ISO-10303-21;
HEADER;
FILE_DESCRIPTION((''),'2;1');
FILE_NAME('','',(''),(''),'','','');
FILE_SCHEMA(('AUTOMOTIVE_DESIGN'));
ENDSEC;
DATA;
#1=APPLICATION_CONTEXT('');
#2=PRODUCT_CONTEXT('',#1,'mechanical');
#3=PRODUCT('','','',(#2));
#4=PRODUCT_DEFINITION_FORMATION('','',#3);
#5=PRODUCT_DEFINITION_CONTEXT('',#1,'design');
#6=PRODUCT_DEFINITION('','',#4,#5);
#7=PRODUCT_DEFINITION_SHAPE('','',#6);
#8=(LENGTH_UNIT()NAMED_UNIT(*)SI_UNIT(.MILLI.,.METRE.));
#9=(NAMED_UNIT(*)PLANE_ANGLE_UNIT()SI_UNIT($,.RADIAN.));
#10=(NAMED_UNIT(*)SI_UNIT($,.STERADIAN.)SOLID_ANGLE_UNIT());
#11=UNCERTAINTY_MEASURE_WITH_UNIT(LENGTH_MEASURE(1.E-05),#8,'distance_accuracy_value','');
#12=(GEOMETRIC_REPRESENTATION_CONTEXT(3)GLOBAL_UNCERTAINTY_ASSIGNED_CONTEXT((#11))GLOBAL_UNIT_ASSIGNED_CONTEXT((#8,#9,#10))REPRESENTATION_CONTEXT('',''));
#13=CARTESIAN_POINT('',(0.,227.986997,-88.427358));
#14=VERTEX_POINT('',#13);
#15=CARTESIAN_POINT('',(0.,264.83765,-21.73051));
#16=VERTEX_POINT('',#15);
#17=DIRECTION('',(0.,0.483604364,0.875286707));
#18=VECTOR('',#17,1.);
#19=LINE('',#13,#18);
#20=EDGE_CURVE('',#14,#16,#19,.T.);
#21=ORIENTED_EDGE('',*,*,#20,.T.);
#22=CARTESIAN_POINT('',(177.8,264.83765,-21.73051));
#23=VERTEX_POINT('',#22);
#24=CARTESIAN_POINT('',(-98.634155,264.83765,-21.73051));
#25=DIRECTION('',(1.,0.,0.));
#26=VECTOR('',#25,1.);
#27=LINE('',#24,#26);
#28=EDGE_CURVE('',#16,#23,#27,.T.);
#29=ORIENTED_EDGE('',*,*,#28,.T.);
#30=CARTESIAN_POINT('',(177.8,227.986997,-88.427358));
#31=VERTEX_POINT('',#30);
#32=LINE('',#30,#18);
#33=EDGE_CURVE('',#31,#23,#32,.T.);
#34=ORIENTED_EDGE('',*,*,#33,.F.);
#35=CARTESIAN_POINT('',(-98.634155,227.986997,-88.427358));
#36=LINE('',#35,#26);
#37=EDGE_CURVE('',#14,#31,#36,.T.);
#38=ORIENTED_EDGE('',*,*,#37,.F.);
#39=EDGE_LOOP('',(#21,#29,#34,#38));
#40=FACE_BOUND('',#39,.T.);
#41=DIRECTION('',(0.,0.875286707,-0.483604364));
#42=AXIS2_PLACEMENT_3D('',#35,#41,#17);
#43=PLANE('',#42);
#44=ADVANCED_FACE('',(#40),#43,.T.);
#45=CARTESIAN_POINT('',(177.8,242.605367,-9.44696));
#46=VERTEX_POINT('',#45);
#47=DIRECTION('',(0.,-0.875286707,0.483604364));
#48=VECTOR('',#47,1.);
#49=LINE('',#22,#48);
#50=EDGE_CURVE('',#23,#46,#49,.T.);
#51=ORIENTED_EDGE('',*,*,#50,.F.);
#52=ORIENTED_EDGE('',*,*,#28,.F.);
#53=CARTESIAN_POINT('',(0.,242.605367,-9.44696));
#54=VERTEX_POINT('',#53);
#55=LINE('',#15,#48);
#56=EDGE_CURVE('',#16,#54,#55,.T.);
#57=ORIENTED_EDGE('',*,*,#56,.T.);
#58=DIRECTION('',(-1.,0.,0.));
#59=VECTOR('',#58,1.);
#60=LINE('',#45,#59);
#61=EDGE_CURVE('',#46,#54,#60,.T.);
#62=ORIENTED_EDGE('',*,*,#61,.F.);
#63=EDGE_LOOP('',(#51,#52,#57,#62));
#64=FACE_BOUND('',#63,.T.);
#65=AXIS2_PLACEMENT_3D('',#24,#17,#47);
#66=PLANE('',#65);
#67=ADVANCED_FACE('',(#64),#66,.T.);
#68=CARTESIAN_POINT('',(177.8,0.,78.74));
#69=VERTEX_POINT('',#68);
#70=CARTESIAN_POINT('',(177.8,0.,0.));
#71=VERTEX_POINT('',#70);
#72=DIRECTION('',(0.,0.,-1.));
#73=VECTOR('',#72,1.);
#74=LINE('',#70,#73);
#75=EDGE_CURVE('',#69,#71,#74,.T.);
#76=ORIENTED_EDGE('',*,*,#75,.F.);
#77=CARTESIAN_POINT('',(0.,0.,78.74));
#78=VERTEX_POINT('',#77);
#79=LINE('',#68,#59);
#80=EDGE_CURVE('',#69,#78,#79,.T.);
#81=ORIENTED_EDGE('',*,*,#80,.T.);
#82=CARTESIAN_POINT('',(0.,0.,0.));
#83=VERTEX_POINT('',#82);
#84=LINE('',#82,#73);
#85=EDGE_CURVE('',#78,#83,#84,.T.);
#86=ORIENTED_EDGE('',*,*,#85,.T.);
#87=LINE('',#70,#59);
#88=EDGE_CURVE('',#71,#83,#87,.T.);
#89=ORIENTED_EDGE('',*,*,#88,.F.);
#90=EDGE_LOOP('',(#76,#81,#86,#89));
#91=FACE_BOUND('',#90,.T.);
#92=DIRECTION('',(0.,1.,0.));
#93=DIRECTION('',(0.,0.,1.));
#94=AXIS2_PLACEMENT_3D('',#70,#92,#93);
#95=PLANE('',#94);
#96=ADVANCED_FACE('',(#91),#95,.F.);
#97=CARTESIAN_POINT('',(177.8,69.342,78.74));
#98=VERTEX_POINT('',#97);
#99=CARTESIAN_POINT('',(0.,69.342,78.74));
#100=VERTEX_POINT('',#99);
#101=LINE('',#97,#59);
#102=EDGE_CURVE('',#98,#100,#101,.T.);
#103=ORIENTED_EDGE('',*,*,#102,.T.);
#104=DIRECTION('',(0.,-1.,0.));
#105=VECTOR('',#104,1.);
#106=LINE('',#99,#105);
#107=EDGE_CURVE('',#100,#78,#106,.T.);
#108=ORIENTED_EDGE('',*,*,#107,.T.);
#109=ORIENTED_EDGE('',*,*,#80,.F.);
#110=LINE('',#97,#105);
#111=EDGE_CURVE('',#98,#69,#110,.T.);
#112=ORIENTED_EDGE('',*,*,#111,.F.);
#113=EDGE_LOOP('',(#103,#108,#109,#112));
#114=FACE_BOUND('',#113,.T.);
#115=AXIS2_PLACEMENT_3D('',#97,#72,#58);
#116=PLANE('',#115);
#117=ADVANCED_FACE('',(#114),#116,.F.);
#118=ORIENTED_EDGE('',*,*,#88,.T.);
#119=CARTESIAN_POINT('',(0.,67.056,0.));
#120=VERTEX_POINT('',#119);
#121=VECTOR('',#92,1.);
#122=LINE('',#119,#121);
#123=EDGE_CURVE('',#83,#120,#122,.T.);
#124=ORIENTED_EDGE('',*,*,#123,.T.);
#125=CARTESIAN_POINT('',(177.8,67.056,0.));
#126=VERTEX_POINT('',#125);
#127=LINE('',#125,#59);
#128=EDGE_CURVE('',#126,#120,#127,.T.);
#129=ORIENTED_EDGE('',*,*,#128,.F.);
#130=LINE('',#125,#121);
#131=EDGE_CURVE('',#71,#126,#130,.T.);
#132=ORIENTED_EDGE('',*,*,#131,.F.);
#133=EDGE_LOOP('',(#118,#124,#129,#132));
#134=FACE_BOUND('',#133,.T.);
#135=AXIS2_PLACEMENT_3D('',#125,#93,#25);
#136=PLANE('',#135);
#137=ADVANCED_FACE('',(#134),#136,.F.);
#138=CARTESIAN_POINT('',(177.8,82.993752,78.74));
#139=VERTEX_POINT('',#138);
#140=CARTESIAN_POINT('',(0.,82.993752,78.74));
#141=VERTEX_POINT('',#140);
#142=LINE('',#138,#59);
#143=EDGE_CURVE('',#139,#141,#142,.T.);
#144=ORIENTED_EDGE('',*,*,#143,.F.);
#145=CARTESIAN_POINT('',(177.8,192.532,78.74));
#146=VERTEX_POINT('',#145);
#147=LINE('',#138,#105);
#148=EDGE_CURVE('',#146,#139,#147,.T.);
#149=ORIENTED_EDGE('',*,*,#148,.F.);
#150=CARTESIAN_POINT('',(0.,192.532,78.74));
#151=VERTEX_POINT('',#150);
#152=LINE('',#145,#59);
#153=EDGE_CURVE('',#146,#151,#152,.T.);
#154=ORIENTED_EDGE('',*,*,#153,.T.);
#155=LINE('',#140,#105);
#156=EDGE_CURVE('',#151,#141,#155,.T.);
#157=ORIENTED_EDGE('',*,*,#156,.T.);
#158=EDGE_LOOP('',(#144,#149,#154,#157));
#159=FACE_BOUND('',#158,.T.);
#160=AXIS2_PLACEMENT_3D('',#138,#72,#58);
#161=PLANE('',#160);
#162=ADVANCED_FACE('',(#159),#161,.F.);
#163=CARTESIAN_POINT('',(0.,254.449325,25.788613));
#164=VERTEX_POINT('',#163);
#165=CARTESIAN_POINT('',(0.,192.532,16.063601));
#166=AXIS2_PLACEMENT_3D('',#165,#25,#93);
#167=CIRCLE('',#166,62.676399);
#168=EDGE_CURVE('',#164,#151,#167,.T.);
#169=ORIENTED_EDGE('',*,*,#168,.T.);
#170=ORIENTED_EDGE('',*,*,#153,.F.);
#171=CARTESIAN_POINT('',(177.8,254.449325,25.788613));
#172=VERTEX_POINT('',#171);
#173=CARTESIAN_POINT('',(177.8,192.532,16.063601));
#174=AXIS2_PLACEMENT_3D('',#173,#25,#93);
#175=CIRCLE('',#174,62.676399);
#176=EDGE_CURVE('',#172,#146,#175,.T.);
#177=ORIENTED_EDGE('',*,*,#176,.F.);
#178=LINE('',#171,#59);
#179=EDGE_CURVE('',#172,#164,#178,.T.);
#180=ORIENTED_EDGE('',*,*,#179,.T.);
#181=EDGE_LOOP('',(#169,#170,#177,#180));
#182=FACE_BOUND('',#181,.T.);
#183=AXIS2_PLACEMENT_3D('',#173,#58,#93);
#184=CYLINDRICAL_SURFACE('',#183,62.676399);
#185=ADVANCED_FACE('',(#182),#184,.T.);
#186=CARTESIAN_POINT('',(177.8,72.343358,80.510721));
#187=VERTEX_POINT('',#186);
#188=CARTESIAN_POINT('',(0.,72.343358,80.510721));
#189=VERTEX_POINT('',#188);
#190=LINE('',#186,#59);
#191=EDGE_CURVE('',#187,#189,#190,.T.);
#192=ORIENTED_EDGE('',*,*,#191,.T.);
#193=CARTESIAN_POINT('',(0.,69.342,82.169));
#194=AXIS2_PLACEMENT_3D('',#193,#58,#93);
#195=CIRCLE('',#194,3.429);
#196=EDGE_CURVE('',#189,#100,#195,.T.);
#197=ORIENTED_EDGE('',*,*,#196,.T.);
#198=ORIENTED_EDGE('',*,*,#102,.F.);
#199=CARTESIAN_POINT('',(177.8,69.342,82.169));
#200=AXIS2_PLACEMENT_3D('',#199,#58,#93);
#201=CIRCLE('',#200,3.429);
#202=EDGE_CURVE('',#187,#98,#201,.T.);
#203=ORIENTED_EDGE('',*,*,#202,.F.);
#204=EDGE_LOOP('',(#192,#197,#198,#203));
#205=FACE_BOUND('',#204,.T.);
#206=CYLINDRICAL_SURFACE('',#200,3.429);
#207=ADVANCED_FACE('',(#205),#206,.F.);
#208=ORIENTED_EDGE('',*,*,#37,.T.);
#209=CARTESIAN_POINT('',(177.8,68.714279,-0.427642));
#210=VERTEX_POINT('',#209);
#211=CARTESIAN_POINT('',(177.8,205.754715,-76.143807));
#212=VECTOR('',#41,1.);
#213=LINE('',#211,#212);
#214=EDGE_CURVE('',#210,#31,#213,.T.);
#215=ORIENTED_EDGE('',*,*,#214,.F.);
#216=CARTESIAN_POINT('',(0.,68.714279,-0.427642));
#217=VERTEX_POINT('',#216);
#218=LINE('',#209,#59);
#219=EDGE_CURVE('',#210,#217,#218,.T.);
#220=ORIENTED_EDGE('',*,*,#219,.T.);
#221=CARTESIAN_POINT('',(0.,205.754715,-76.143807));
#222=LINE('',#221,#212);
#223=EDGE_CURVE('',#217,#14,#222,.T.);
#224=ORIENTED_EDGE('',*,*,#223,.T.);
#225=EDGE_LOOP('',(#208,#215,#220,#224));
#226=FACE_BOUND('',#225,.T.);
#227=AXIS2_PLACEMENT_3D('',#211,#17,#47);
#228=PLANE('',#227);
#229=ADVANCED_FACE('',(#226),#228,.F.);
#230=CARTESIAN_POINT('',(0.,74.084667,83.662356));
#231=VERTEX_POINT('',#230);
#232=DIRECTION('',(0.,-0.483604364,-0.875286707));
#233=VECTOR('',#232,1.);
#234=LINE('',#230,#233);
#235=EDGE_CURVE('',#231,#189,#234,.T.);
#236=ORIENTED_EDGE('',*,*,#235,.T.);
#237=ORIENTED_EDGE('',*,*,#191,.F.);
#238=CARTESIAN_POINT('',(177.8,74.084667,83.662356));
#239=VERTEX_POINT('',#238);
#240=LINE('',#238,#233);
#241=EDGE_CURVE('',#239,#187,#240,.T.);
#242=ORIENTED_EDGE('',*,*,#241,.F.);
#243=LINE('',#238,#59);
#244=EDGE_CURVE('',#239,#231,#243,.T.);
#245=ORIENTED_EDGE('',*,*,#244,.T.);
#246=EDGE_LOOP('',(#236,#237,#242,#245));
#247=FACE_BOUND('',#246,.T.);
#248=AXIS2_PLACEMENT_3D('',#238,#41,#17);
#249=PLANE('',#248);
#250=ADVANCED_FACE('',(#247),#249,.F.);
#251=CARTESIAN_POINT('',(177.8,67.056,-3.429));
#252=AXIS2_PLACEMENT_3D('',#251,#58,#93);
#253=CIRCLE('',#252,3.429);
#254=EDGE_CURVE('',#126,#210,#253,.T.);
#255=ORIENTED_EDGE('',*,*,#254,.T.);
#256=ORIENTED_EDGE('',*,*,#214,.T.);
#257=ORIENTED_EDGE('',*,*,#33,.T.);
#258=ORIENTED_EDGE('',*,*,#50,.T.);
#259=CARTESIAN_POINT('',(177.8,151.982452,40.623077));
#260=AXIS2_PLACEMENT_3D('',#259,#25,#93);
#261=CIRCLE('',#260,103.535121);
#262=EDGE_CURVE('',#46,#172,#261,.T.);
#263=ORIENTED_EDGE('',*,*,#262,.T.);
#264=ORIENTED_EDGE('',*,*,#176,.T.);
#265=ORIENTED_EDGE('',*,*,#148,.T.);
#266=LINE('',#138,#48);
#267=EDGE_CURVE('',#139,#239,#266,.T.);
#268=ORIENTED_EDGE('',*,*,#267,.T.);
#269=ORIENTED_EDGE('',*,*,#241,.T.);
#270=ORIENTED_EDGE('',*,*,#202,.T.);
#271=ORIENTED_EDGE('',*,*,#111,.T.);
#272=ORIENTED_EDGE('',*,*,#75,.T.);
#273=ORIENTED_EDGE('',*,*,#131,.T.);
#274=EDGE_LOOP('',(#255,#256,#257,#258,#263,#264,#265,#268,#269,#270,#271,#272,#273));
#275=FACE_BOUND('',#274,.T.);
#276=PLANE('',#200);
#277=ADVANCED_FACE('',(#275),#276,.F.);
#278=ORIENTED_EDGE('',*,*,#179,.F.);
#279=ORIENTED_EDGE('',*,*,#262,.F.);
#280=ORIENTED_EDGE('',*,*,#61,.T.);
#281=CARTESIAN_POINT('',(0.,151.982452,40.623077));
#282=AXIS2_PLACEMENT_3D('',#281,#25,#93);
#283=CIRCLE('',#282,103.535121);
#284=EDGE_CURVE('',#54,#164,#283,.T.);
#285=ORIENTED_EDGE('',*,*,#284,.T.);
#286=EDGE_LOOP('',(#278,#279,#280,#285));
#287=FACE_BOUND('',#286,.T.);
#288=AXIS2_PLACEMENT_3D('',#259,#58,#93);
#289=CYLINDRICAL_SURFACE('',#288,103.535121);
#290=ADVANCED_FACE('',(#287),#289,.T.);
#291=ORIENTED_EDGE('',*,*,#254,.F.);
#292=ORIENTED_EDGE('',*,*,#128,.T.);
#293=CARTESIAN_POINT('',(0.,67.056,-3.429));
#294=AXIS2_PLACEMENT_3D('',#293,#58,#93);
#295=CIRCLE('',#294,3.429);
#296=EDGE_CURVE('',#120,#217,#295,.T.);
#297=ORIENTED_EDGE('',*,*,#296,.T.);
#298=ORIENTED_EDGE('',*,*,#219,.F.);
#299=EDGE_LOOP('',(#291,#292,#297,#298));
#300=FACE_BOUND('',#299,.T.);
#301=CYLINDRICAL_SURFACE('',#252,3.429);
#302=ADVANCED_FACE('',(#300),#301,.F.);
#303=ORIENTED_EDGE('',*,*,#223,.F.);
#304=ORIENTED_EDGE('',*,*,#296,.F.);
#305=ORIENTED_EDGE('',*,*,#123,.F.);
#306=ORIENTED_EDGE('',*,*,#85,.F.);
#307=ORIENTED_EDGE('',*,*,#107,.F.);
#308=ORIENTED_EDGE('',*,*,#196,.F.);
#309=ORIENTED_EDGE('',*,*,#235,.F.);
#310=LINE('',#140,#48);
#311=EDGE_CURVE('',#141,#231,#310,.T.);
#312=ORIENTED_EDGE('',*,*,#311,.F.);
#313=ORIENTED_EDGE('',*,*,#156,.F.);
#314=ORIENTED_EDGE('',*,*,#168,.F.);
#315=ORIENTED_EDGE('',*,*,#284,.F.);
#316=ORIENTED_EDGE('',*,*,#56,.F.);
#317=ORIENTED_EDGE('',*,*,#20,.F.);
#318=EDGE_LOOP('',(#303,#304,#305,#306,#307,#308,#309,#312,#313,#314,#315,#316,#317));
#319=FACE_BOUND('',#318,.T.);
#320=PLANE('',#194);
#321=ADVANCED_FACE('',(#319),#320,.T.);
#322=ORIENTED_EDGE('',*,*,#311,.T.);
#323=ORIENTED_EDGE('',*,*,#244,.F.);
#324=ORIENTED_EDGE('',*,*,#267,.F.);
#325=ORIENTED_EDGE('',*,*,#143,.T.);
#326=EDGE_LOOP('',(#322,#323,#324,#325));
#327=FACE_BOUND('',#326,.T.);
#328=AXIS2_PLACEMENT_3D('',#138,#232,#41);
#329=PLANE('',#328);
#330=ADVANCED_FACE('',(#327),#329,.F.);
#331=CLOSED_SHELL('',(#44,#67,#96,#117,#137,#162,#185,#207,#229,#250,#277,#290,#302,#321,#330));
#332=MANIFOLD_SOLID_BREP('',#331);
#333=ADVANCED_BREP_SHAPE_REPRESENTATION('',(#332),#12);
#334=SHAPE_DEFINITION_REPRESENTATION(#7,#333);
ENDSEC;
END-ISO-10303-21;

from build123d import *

# Parameters (mm, degrees)
BOSS_EXTRUDE1_DEPTH = 177.8
BOSS_EXTRUDE2_DEPTH = 177.8


with BuildPart() as part:
    # Sketch2 → Boss-Extrude1 (new body)
    with BuildSketch(Plane(origin=(0, 0, 0), x_dir=(0, 0, -1), z_dir=(1, 0, 0))):
        with BuildLine():
            Line((9.446959598, 242.605367243), (76.143806671, 205.754714731))
            Line((76.143806671, 205.754714731), (0.427641882, 68.714279363))
            ThreePointArc((0.427641882, 68.714279363), (0.108631196, 67.912266317), (0, 67.056))
            Line((0, 67.056), (0, 0))
            Line((0, 0), (-78.74, 0))
            Line((-78.74, 0), (-78.74, 69.342))
            ThreePointArc((-78.74, 69.342), (-79.215672983, 71.084383578), (-80.510720637, 72.343358118))
            Line((-80.510720637, 72.343358118), (-83.662355749, 74.084666973))
            Line((-83.662355749, 74.084666973), (-78.74, 82.993752329))
            Line((-78.74, 82.993752329), (-78.74, 192.532))
            ThreePointArc((-78.74, 192.532), (-63.696886188, 233.267747455), (-25.788612916, 254.449324625))
            ThreePointArc((-25.788612916, 254.449324625), (-7.634921788, 250.121653844), (9.446959598, 242.605367243))
        make_face()
    extrude(amount=BOSS_EXTRUDE1_DEPTH)

    # Sketch3 → Boss-Extrude2 (add)
    with BuildSketch(Plane(origin=(177.8, 0, 0), x_dir=(0, 0, -1), z_dir=(1, 0, 0))):
        Polygon((76.143806671, 205.754714731), (88.427357508, 227.986997088), (21.730510436, 264.8376496), (9.446959598, 242.605367243), align=None)
    extrude(amount=-BOSS_EXTRUDE2_DEPTH)


solid = part.part
